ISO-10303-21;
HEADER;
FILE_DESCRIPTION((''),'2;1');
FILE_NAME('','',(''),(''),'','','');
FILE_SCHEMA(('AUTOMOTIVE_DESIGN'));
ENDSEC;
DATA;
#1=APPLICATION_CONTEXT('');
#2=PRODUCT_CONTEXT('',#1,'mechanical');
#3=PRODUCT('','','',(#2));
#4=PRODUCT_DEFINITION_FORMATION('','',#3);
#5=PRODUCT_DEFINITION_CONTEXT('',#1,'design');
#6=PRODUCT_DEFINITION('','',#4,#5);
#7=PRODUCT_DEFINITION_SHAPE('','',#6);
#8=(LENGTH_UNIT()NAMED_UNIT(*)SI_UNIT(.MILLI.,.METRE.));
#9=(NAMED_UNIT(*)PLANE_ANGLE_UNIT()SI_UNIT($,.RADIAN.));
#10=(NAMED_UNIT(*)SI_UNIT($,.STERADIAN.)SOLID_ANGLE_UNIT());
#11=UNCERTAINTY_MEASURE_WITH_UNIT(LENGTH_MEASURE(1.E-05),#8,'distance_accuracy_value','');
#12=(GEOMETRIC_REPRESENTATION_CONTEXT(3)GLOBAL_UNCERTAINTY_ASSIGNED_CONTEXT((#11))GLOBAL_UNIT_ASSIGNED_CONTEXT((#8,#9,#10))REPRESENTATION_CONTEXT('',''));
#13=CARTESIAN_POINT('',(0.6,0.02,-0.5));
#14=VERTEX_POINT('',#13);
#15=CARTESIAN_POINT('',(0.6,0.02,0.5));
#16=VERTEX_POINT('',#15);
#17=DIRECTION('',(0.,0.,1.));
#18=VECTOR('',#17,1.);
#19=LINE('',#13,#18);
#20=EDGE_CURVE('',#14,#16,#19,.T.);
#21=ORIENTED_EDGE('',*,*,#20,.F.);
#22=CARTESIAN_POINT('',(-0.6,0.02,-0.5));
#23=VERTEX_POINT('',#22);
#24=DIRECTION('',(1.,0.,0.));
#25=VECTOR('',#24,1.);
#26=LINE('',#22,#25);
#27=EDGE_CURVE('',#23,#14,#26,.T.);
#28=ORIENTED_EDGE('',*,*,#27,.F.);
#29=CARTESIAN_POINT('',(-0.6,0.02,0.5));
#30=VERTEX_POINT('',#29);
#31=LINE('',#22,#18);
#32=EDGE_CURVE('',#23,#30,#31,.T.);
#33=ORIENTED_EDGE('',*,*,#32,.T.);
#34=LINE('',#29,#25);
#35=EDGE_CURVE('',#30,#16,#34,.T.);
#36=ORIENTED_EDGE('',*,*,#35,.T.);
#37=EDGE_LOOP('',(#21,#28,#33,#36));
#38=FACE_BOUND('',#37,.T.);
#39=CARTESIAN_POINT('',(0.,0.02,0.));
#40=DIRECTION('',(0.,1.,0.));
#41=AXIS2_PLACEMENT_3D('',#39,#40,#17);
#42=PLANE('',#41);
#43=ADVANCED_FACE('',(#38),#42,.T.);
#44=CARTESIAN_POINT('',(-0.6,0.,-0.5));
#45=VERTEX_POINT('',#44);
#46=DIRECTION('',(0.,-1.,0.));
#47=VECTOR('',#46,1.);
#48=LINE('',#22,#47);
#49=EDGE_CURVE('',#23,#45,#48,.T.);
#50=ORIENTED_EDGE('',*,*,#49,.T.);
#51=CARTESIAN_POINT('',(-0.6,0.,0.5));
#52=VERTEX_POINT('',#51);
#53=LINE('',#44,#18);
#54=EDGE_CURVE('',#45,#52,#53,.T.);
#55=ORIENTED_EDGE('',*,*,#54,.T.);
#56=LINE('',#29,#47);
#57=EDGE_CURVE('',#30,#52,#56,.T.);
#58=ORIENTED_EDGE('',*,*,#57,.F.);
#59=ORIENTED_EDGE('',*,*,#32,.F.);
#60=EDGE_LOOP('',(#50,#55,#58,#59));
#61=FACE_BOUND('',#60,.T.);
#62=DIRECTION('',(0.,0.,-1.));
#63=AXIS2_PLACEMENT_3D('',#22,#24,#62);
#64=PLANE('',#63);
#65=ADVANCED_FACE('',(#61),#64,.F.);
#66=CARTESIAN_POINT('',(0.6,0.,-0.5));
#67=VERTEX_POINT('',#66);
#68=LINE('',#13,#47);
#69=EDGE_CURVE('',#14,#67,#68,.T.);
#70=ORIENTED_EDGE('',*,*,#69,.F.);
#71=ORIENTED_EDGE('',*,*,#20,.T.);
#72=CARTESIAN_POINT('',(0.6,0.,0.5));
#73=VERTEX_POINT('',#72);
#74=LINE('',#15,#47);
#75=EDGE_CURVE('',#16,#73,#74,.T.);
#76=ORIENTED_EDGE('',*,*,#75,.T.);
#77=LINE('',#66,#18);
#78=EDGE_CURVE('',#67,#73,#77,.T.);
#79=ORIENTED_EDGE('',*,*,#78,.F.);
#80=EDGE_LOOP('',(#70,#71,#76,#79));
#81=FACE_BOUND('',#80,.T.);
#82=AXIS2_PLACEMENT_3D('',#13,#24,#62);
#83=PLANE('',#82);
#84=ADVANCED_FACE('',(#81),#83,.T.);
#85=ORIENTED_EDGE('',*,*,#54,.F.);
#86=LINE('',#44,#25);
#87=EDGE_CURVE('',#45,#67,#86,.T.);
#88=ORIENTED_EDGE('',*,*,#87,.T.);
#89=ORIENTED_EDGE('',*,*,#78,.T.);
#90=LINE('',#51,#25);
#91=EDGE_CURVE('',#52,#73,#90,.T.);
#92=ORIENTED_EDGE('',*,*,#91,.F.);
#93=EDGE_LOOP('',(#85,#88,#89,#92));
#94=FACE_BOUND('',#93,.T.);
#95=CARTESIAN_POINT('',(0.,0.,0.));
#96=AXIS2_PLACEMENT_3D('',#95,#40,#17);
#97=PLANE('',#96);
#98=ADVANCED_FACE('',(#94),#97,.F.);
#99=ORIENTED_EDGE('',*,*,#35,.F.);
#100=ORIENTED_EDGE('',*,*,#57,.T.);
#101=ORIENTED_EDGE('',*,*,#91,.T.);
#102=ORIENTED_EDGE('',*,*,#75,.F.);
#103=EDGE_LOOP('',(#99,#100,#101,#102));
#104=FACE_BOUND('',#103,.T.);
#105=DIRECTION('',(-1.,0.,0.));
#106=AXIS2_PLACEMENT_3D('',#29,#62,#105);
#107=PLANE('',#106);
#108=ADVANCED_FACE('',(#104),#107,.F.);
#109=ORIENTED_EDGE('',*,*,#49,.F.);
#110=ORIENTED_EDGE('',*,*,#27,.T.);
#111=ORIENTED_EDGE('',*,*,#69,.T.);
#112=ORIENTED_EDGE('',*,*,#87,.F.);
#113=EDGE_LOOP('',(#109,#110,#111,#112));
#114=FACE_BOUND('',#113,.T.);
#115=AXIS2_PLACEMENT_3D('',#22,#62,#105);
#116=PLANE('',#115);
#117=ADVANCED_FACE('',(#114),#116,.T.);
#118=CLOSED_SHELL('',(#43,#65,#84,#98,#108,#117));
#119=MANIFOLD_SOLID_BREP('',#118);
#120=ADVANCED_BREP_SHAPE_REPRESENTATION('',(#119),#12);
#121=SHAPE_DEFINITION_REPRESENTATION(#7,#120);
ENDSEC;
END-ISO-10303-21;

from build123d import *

# Parameters (mm, degrees)
SKETCH1_W           = 1.2
SKETCH1_H           = 1
BOSS_EXTRUDE1_DEPTH = 0.02


with BuildPart() as part:
    # Sketch1 → Boss-Extrude1 (new body)
    with BuildSketch(Plane(origin=(0, 0, 0), x_dir=(1, 0, 0), z_dir=(0, 1, 0))):
        Rectangle(SKETCH1_W, SKETCH1_H)
    extrude(amount=BOSS_EXTRUDE1_DEPTH)


solid = part.part
